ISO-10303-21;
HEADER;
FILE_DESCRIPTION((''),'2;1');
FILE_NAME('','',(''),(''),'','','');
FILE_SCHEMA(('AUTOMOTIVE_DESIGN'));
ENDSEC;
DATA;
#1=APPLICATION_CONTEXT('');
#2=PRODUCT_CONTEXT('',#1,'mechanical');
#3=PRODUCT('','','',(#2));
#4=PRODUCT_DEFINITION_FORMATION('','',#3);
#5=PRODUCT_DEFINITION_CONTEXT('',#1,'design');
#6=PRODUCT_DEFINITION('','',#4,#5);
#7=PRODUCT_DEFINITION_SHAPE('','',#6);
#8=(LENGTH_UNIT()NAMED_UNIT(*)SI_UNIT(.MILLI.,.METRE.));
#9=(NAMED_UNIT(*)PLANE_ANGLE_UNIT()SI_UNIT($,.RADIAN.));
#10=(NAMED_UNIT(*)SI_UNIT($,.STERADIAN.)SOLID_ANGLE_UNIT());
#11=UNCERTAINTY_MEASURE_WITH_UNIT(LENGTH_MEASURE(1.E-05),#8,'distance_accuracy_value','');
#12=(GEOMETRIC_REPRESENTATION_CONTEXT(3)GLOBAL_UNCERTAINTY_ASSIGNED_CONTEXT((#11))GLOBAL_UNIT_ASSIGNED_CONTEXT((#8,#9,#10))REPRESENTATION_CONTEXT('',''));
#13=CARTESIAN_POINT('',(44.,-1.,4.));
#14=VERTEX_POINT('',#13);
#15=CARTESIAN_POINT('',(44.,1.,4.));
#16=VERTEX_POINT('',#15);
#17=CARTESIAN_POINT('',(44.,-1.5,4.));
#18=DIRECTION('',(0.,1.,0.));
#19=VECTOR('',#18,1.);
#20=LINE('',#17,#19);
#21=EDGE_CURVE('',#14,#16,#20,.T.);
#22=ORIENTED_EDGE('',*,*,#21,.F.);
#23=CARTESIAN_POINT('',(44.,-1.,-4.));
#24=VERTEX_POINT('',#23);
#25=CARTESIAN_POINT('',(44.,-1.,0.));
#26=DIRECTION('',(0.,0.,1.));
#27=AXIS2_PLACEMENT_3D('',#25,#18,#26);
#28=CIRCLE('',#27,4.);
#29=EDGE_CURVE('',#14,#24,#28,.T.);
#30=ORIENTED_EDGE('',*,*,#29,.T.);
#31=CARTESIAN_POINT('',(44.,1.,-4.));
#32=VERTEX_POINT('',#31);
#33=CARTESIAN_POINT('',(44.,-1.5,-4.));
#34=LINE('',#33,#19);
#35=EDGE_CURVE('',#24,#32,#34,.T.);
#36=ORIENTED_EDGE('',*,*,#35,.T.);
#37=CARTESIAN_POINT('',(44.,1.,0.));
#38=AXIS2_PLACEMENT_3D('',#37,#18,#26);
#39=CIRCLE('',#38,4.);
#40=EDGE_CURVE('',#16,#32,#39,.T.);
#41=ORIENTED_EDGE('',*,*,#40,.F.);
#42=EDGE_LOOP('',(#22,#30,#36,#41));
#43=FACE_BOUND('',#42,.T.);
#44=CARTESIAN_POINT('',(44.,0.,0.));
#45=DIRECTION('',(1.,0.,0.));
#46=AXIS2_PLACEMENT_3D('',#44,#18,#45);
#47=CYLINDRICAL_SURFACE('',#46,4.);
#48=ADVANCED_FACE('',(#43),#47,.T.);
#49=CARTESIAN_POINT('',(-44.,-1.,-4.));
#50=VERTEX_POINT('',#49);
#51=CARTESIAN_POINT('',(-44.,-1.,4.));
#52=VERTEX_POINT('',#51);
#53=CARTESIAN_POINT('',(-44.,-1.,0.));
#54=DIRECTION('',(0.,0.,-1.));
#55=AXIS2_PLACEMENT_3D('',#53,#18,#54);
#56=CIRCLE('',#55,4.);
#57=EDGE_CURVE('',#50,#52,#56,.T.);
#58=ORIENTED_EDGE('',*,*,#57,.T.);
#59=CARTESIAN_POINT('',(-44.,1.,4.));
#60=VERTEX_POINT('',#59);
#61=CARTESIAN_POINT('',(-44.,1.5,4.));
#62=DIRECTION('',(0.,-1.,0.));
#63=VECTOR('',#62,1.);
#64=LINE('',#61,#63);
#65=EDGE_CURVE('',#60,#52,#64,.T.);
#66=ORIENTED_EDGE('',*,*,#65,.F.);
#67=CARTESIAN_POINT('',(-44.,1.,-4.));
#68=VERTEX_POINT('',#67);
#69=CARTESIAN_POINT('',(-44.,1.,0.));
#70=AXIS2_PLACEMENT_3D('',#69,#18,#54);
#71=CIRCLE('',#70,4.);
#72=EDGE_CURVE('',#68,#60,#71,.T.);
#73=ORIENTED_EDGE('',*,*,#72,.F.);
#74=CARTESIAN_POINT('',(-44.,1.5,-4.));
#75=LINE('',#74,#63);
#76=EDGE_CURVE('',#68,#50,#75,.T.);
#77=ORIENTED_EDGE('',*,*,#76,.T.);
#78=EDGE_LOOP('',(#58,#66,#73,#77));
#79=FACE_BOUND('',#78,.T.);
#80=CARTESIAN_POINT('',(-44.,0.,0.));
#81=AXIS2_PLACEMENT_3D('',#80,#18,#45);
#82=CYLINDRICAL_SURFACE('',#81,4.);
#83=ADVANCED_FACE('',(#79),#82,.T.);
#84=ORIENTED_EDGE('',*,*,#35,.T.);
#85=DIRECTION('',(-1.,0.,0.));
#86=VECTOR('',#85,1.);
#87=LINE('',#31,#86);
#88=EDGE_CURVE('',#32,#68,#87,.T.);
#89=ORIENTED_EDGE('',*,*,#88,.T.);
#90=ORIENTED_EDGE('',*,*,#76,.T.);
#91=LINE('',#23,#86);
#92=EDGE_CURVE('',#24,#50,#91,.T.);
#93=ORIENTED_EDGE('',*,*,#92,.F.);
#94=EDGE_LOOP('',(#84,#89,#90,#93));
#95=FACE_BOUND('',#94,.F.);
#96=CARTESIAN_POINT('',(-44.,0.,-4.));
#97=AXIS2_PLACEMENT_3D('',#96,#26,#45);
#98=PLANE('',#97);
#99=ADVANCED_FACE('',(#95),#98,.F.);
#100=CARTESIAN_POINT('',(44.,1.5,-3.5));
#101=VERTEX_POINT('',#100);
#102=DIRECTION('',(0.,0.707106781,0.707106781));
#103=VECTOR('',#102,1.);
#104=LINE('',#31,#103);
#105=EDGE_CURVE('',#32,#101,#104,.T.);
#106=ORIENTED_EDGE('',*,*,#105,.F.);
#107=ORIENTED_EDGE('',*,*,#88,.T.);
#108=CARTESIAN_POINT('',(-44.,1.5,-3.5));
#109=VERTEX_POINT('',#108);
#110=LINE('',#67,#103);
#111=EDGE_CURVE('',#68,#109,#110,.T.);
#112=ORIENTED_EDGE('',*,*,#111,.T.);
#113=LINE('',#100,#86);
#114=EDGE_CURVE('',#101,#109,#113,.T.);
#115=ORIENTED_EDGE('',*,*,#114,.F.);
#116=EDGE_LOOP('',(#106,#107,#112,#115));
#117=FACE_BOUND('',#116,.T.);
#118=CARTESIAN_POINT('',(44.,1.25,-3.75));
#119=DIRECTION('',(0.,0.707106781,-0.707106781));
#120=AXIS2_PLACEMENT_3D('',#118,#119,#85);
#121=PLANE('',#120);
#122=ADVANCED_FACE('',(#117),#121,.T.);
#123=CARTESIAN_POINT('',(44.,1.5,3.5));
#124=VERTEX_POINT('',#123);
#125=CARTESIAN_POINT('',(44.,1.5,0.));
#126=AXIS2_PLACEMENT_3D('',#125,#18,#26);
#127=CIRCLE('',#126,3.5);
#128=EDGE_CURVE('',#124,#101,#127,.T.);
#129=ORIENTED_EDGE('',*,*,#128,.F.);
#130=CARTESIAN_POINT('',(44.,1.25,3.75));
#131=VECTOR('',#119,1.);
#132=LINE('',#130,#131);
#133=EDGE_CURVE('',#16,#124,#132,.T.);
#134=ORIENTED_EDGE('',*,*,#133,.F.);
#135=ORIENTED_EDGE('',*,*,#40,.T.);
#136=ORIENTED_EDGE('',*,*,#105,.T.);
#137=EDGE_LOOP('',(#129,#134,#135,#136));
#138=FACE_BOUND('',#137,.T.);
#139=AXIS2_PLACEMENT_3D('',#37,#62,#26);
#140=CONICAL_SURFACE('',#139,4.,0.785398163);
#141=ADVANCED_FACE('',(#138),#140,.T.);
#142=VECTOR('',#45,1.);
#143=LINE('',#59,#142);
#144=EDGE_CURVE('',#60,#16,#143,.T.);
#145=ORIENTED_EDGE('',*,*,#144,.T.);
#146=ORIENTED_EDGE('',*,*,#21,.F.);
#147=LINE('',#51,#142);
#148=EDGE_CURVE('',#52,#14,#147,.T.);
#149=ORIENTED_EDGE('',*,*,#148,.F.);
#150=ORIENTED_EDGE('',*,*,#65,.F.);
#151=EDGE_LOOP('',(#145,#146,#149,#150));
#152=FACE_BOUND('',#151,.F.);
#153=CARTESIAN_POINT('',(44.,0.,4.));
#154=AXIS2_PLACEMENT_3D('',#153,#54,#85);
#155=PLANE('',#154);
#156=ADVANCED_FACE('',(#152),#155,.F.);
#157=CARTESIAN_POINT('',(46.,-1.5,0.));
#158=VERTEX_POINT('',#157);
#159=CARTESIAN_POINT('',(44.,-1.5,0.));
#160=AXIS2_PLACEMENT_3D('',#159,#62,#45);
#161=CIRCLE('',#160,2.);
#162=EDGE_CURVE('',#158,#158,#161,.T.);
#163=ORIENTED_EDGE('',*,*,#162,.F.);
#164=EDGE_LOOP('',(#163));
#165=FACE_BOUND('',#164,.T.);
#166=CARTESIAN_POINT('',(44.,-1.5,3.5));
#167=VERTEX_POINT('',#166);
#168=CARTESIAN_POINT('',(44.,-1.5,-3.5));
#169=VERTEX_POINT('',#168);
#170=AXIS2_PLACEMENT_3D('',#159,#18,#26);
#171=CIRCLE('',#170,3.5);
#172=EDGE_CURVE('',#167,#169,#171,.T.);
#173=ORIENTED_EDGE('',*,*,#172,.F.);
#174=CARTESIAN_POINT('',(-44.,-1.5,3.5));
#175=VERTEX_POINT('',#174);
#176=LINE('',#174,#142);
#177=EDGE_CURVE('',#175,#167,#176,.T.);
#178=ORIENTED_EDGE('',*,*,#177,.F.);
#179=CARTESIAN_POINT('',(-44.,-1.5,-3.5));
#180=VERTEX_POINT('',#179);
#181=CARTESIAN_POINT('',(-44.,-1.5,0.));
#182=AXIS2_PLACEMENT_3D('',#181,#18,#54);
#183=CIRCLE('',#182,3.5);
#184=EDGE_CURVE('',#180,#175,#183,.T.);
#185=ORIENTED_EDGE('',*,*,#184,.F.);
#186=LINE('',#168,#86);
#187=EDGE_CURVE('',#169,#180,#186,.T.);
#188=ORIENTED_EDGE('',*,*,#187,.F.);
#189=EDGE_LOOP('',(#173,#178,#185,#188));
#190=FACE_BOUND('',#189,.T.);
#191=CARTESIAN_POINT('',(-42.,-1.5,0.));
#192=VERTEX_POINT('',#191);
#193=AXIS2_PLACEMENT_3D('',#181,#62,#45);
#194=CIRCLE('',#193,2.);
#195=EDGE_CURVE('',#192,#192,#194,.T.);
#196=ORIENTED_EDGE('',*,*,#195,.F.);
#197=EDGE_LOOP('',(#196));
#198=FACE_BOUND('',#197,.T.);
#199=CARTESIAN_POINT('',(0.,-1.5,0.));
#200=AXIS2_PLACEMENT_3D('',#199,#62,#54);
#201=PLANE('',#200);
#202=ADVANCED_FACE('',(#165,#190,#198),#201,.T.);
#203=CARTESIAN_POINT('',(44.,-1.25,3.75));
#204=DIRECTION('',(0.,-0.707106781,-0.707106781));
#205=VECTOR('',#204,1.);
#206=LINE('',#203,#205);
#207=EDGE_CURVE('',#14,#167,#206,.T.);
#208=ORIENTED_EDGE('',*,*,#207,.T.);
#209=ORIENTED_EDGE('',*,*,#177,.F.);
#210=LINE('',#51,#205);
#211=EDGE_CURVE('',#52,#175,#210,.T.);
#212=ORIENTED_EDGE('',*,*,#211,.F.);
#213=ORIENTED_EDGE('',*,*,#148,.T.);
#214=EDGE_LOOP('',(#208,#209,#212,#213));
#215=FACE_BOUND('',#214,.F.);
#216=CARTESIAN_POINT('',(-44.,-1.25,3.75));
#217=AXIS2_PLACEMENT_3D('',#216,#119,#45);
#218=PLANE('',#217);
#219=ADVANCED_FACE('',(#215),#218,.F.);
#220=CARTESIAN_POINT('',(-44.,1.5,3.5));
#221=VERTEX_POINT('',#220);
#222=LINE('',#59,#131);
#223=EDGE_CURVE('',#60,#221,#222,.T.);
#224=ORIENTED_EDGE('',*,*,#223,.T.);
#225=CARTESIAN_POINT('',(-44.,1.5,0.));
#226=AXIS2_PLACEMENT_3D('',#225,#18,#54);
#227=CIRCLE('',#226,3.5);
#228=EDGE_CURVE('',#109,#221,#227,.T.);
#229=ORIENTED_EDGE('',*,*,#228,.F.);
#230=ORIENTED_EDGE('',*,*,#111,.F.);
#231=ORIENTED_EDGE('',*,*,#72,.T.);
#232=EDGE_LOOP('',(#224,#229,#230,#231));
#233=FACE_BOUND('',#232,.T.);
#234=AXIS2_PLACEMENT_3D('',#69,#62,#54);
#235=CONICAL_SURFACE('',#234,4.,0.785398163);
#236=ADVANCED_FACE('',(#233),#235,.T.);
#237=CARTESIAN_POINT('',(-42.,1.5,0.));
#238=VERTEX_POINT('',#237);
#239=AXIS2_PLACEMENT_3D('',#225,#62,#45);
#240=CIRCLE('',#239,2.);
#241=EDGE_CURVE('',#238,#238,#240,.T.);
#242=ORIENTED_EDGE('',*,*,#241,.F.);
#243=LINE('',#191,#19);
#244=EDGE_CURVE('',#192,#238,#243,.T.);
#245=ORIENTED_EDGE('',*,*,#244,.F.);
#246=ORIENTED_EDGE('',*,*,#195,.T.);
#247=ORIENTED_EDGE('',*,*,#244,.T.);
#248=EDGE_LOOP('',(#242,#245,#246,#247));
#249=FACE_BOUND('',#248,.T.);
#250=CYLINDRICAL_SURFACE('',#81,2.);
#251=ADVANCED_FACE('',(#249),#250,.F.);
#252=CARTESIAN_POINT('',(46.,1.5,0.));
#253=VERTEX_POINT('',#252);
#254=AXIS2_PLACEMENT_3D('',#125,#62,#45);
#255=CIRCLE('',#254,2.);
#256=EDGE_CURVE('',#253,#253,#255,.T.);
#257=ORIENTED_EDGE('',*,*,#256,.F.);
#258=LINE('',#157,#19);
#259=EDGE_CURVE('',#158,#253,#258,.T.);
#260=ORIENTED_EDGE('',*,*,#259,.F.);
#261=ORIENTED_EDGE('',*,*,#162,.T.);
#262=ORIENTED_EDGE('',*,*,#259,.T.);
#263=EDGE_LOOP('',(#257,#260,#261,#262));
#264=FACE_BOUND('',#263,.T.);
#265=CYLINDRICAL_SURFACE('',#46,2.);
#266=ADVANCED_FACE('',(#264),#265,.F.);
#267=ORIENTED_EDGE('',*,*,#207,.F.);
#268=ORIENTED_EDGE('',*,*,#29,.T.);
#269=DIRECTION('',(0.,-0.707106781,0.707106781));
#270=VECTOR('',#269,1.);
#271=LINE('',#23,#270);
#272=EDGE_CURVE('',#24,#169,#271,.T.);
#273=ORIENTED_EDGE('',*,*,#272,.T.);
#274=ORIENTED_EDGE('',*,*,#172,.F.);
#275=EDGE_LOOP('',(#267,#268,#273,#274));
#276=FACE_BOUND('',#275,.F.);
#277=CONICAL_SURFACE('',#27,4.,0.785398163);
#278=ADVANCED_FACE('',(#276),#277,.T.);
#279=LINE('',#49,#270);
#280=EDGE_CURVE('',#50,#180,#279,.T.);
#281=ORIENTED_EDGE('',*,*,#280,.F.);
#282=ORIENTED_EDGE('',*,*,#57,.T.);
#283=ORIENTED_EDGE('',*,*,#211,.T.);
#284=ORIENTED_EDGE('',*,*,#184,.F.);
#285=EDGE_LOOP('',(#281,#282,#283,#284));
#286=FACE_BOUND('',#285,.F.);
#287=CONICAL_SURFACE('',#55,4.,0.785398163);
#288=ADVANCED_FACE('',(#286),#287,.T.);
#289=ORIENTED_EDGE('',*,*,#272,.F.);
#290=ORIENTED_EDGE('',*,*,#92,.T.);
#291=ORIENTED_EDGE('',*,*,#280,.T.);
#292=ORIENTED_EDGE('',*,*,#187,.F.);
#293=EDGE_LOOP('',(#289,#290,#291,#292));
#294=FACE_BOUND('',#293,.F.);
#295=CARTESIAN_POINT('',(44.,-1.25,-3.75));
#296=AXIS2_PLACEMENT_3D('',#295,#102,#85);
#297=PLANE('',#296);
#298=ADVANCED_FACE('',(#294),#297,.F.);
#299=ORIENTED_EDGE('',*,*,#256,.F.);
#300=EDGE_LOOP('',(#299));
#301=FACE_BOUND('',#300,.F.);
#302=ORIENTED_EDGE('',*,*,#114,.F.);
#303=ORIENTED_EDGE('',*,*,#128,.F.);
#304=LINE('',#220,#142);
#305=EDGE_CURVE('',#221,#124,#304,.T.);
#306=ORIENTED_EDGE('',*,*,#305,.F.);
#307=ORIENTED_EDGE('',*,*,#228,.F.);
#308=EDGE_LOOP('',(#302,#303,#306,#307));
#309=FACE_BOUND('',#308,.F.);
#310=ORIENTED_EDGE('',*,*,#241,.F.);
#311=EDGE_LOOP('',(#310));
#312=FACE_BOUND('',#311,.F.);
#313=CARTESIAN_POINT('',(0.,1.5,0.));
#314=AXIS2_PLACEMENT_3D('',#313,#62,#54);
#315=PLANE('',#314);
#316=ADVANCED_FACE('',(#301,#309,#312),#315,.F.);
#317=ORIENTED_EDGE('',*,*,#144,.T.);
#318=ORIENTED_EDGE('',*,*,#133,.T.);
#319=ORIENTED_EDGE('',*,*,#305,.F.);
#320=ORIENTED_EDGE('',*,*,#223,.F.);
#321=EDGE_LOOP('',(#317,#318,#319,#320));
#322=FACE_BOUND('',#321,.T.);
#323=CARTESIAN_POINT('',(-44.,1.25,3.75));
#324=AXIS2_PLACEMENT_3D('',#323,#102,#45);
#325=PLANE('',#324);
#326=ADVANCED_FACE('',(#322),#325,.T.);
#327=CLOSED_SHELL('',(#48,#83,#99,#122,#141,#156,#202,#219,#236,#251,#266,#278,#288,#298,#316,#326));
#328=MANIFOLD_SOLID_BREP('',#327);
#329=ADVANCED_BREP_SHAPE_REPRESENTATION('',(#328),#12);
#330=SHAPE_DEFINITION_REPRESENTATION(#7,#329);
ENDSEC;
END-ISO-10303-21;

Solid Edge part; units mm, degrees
sketch "Sketch1" plane through (0, 0, 0) normal (0, -1, 0) x (1, 0, 0)
  line L0 (44, 4) -> (-44, 4)
  line L1 (-44, -4) -> (44, -4)
  arc A0 (-44, -4) -> (-44, 4) centre (-44, 0) cw
  arc A1 (44, 4) -> (44, -4) centre (44, 0) cw
  circle A2 centre (-44, 0) radius 2
  circle A3 centre (44, 0) radius 2
extrude "Protrusion1" add sketch "Sketch1" along normal mid plane 3
chamfer "Chamfer_1" distance 0.5 angle 45 8 edges at (-48, -1.5, 0) (0, -1.5, -4) (48, -1.5, 0) (0, -1.5, 4) (-48, 1.5, 0) (0, 1.5, -4) (48, 1.5, 0) (0, 1.5, 4)
properties material "PVC"
